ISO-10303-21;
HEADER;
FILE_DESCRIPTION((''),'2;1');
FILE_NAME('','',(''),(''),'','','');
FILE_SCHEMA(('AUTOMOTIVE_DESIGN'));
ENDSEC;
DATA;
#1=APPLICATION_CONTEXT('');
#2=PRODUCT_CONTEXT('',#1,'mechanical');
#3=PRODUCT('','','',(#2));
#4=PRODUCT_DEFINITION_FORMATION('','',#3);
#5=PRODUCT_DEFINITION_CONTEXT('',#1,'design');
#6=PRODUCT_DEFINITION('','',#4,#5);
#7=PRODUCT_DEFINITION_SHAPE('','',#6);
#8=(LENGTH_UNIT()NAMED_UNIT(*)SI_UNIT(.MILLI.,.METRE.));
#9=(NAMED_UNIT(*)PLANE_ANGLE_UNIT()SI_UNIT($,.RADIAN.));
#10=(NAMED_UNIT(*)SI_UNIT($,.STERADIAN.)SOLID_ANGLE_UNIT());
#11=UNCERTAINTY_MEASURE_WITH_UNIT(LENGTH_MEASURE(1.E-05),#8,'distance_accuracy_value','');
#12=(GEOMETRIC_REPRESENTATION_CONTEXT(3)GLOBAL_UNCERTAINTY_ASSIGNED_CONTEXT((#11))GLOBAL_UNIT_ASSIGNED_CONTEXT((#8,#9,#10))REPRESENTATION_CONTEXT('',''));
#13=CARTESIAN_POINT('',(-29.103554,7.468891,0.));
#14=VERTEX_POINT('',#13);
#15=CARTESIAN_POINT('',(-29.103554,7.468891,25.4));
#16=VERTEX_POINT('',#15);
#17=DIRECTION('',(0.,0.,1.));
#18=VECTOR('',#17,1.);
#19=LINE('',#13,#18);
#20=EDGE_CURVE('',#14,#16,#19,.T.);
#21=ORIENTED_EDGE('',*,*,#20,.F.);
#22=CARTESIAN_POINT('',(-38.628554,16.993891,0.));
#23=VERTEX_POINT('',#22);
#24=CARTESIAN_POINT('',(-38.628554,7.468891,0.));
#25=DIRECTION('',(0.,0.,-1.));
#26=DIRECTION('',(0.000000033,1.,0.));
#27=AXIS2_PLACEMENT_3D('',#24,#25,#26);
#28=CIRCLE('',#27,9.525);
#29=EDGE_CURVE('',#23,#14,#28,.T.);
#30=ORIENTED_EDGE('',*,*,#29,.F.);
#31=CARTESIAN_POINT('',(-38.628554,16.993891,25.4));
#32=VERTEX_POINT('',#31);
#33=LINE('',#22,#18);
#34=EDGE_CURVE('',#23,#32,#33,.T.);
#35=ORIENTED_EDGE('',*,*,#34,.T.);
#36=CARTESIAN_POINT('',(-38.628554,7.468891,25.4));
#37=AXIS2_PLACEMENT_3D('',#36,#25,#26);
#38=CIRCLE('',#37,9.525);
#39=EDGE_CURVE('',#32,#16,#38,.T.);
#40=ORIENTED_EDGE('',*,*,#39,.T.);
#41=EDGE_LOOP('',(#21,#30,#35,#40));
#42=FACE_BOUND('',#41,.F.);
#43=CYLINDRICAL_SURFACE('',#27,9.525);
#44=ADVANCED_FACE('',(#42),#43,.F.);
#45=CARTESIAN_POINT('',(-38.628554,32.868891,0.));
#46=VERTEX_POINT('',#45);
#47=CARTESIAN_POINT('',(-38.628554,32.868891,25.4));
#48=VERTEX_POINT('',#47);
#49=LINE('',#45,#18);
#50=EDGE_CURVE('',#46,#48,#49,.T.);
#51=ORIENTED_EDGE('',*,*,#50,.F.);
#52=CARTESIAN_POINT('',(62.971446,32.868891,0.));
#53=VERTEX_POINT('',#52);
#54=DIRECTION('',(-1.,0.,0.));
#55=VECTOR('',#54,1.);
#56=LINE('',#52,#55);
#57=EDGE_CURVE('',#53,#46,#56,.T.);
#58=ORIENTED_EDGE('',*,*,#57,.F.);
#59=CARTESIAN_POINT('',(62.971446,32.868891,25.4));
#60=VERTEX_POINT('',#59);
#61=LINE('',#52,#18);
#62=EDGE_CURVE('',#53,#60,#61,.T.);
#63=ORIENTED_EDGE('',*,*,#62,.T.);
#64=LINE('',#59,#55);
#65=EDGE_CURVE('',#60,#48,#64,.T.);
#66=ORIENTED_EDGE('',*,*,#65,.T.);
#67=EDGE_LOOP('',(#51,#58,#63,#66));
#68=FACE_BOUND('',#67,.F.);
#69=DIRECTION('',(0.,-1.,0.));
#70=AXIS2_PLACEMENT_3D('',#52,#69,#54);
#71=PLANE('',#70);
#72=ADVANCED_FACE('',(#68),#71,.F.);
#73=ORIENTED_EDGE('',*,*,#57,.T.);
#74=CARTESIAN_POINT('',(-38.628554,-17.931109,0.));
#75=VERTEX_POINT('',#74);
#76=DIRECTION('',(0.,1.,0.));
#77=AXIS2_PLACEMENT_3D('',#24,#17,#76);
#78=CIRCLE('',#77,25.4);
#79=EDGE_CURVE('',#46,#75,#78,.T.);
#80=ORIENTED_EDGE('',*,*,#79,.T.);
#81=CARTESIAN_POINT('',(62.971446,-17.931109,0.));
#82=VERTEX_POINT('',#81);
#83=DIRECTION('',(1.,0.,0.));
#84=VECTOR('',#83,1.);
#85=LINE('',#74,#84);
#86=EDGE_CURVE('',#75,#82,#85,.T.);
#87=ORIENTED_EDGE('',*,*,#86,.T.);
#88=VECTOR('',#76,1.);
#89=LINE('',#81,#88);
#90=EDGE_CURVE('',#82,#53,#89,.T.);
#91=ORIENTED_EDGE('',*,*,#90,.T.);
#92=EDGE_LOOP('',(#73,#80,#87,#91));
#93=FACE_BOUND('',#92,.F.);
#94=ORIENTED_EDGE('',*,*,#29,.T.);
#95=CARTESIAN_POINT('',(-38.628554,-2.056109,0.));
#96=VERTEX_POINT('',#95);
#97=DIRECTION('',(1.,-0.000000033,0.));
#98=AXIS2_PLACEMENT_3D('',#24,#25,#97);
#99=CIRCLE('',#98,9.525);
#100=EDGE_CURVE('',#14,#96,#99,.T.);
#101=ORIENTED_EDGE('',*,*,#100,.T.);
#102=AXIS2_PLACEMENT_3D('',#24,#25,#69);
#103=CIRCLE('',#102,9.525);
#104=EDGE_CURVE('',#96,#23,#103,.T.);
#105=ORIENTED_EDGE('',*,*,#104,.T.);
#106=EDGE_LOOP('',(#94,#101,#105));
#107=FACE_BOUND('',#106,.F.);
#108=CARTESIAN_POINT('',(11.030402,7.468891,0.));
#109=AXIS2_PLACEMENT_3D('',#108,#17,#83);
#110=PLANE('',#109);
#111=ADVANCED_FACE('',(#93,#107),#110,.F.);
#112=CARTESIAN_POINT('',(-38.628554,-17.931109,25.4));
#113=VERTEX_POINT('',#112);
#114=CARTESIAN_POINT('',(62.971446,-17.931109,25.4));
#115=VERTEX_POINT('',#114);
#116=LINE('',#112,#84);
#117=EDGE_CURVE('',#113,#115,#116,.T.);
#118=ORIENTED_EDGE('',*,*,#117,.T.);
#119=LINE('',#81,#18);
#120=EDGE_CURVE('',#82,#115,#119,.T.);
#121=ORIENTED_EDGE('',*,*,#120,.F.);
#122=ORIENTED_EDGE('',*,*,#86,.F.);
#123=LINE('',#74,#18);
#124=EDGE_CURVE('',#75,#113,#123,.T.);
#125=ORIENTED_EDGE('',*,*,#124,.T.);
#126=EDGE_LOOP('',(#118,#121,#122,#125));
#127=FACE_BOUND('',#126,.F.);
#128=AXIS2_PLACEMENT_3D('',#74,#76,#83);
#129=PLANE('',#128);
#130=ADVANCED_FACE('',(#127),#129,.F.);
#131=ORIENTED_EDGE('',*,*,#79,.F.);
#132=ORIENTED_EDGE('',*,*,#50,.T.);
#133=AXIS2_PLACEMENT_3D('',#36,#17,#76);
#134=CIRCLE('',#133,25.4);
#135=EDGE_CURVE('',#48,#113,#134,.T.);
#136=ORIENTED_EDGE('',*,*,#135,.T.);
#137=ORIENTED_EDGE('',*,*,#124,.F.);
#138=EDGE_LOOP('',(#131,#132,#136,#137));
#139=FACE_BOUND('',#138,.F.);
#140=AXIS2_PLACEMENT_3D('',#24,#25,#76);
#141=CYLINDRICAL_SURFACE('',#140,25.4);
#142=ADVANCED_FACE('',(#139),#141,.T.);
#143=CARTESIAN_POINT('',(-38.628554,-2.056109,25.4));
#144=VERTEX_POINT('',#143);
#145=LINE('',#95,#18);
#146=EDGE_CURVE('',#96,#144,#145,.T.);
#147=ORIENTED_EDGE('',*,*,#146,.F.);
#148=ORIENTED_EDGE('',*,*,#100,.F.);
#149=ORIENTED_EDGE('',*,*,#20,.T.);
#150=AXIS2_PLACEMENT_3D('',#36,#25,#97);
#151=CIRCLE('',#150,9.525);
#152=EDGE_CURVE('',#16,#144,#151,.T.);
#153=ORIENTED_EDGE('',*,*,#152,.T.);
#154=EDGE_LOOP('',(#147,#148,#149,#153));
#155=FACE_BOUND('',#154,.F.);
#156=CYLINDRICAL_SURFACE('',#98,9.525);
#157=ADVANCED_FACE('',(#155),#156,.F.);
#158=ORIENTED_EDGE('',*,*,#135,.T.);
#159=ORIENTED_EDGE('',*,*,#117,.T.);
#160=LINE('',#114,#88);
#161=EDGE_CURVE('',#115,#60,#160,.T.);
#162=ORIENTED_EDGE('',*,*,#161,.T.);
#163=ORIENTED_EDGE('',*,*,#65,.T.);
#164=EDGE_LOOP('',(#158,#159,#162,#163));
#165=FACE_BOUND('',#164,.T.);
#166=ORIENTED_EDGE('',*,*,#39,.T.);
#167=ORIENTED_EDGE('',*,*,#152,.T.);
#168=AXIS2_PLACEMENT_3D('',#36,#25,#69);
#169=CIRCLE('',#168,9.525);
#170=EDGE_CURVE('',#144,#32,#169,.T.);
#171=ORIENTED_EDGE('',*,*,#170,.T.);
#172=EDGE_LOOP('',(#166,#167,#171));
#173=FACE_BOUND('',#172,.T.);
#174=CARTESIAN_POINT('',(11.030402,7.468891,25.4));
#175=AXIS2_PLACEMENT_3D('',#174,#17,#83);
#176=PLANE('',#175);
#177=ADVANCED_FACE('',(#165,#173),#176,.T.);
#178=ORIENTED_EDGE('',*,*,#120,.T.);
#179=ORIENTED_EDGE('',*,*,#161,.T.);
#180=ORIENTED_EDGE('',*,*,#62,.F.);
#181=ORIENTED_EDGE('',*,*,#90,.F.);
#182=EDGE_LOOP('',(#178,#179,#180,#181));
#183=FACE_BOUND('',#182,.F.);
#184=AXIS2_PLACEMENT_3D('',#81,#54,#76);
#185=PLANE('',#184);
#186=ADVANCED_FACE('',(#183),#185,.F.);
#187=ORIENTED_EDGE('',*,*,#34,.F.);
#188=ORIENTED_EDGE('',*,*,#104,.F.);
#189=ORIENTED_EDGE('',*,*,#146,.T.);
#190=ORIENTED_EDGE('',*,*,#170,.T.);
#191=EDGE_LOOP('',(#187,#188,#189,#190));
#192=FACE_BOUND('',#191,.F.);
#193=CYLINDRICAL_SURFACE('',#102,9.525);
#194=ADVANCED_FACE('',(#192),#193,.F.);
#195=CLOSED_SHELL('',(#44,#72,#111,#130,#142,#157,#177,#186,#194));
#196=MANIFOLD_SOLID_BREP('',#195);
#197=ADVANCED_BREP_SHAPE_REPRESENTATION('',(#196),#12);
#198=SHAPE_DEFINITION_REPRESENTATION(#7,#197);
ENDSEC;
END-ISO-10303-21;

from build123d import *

# Parameters (mm, degrees)
F1_DEPTH = 25.4


with BuildPart() as f1:
    # F0 (on Top) → F1 (new body)
    with BuildSketch(Plane.XY):
        with BuildLine():
            Line((62.971446, 32.868891), (-38.628554, 32.868891))
            Line((-38.628554, 32.868891), (-38.628554, 16.993891))
            ThreePointArc((-38.628554, 16.993891), (-31.893362, 14.204083), (-29.103554, 7.468891))
            ThreePointArc((-29.103554, 7.468891), (-31.893362, 0.733699), (-38.628554, -2.056109))
            Line((-38.628554, -2.056109), (-38.628554, -17.931109))
            Line((-38.628554, -17.931109), (62.971446, -17.931109))
            Line((62.971446, -17.931109), (62.971446, 32.868891))
        make_face()
        with BuildLine():
            Line((-38.628554, 16.993891), (-38.628554, 32.868891))
            ThreePointArc((-38.628554, 32.868891), (-64.028554, 7.468891), (-38.628554, -17.931109))
            Line((-38.628554, -17.931109), (-38.628554, -2.056109))
            ThreePointArc((-38.628554, -2.056109), (-48.153554, 7.468891), (-38.628554, 16.993891))
        make_face()
    extrude(amount=F1_DEPTH)


solid = f1.part
